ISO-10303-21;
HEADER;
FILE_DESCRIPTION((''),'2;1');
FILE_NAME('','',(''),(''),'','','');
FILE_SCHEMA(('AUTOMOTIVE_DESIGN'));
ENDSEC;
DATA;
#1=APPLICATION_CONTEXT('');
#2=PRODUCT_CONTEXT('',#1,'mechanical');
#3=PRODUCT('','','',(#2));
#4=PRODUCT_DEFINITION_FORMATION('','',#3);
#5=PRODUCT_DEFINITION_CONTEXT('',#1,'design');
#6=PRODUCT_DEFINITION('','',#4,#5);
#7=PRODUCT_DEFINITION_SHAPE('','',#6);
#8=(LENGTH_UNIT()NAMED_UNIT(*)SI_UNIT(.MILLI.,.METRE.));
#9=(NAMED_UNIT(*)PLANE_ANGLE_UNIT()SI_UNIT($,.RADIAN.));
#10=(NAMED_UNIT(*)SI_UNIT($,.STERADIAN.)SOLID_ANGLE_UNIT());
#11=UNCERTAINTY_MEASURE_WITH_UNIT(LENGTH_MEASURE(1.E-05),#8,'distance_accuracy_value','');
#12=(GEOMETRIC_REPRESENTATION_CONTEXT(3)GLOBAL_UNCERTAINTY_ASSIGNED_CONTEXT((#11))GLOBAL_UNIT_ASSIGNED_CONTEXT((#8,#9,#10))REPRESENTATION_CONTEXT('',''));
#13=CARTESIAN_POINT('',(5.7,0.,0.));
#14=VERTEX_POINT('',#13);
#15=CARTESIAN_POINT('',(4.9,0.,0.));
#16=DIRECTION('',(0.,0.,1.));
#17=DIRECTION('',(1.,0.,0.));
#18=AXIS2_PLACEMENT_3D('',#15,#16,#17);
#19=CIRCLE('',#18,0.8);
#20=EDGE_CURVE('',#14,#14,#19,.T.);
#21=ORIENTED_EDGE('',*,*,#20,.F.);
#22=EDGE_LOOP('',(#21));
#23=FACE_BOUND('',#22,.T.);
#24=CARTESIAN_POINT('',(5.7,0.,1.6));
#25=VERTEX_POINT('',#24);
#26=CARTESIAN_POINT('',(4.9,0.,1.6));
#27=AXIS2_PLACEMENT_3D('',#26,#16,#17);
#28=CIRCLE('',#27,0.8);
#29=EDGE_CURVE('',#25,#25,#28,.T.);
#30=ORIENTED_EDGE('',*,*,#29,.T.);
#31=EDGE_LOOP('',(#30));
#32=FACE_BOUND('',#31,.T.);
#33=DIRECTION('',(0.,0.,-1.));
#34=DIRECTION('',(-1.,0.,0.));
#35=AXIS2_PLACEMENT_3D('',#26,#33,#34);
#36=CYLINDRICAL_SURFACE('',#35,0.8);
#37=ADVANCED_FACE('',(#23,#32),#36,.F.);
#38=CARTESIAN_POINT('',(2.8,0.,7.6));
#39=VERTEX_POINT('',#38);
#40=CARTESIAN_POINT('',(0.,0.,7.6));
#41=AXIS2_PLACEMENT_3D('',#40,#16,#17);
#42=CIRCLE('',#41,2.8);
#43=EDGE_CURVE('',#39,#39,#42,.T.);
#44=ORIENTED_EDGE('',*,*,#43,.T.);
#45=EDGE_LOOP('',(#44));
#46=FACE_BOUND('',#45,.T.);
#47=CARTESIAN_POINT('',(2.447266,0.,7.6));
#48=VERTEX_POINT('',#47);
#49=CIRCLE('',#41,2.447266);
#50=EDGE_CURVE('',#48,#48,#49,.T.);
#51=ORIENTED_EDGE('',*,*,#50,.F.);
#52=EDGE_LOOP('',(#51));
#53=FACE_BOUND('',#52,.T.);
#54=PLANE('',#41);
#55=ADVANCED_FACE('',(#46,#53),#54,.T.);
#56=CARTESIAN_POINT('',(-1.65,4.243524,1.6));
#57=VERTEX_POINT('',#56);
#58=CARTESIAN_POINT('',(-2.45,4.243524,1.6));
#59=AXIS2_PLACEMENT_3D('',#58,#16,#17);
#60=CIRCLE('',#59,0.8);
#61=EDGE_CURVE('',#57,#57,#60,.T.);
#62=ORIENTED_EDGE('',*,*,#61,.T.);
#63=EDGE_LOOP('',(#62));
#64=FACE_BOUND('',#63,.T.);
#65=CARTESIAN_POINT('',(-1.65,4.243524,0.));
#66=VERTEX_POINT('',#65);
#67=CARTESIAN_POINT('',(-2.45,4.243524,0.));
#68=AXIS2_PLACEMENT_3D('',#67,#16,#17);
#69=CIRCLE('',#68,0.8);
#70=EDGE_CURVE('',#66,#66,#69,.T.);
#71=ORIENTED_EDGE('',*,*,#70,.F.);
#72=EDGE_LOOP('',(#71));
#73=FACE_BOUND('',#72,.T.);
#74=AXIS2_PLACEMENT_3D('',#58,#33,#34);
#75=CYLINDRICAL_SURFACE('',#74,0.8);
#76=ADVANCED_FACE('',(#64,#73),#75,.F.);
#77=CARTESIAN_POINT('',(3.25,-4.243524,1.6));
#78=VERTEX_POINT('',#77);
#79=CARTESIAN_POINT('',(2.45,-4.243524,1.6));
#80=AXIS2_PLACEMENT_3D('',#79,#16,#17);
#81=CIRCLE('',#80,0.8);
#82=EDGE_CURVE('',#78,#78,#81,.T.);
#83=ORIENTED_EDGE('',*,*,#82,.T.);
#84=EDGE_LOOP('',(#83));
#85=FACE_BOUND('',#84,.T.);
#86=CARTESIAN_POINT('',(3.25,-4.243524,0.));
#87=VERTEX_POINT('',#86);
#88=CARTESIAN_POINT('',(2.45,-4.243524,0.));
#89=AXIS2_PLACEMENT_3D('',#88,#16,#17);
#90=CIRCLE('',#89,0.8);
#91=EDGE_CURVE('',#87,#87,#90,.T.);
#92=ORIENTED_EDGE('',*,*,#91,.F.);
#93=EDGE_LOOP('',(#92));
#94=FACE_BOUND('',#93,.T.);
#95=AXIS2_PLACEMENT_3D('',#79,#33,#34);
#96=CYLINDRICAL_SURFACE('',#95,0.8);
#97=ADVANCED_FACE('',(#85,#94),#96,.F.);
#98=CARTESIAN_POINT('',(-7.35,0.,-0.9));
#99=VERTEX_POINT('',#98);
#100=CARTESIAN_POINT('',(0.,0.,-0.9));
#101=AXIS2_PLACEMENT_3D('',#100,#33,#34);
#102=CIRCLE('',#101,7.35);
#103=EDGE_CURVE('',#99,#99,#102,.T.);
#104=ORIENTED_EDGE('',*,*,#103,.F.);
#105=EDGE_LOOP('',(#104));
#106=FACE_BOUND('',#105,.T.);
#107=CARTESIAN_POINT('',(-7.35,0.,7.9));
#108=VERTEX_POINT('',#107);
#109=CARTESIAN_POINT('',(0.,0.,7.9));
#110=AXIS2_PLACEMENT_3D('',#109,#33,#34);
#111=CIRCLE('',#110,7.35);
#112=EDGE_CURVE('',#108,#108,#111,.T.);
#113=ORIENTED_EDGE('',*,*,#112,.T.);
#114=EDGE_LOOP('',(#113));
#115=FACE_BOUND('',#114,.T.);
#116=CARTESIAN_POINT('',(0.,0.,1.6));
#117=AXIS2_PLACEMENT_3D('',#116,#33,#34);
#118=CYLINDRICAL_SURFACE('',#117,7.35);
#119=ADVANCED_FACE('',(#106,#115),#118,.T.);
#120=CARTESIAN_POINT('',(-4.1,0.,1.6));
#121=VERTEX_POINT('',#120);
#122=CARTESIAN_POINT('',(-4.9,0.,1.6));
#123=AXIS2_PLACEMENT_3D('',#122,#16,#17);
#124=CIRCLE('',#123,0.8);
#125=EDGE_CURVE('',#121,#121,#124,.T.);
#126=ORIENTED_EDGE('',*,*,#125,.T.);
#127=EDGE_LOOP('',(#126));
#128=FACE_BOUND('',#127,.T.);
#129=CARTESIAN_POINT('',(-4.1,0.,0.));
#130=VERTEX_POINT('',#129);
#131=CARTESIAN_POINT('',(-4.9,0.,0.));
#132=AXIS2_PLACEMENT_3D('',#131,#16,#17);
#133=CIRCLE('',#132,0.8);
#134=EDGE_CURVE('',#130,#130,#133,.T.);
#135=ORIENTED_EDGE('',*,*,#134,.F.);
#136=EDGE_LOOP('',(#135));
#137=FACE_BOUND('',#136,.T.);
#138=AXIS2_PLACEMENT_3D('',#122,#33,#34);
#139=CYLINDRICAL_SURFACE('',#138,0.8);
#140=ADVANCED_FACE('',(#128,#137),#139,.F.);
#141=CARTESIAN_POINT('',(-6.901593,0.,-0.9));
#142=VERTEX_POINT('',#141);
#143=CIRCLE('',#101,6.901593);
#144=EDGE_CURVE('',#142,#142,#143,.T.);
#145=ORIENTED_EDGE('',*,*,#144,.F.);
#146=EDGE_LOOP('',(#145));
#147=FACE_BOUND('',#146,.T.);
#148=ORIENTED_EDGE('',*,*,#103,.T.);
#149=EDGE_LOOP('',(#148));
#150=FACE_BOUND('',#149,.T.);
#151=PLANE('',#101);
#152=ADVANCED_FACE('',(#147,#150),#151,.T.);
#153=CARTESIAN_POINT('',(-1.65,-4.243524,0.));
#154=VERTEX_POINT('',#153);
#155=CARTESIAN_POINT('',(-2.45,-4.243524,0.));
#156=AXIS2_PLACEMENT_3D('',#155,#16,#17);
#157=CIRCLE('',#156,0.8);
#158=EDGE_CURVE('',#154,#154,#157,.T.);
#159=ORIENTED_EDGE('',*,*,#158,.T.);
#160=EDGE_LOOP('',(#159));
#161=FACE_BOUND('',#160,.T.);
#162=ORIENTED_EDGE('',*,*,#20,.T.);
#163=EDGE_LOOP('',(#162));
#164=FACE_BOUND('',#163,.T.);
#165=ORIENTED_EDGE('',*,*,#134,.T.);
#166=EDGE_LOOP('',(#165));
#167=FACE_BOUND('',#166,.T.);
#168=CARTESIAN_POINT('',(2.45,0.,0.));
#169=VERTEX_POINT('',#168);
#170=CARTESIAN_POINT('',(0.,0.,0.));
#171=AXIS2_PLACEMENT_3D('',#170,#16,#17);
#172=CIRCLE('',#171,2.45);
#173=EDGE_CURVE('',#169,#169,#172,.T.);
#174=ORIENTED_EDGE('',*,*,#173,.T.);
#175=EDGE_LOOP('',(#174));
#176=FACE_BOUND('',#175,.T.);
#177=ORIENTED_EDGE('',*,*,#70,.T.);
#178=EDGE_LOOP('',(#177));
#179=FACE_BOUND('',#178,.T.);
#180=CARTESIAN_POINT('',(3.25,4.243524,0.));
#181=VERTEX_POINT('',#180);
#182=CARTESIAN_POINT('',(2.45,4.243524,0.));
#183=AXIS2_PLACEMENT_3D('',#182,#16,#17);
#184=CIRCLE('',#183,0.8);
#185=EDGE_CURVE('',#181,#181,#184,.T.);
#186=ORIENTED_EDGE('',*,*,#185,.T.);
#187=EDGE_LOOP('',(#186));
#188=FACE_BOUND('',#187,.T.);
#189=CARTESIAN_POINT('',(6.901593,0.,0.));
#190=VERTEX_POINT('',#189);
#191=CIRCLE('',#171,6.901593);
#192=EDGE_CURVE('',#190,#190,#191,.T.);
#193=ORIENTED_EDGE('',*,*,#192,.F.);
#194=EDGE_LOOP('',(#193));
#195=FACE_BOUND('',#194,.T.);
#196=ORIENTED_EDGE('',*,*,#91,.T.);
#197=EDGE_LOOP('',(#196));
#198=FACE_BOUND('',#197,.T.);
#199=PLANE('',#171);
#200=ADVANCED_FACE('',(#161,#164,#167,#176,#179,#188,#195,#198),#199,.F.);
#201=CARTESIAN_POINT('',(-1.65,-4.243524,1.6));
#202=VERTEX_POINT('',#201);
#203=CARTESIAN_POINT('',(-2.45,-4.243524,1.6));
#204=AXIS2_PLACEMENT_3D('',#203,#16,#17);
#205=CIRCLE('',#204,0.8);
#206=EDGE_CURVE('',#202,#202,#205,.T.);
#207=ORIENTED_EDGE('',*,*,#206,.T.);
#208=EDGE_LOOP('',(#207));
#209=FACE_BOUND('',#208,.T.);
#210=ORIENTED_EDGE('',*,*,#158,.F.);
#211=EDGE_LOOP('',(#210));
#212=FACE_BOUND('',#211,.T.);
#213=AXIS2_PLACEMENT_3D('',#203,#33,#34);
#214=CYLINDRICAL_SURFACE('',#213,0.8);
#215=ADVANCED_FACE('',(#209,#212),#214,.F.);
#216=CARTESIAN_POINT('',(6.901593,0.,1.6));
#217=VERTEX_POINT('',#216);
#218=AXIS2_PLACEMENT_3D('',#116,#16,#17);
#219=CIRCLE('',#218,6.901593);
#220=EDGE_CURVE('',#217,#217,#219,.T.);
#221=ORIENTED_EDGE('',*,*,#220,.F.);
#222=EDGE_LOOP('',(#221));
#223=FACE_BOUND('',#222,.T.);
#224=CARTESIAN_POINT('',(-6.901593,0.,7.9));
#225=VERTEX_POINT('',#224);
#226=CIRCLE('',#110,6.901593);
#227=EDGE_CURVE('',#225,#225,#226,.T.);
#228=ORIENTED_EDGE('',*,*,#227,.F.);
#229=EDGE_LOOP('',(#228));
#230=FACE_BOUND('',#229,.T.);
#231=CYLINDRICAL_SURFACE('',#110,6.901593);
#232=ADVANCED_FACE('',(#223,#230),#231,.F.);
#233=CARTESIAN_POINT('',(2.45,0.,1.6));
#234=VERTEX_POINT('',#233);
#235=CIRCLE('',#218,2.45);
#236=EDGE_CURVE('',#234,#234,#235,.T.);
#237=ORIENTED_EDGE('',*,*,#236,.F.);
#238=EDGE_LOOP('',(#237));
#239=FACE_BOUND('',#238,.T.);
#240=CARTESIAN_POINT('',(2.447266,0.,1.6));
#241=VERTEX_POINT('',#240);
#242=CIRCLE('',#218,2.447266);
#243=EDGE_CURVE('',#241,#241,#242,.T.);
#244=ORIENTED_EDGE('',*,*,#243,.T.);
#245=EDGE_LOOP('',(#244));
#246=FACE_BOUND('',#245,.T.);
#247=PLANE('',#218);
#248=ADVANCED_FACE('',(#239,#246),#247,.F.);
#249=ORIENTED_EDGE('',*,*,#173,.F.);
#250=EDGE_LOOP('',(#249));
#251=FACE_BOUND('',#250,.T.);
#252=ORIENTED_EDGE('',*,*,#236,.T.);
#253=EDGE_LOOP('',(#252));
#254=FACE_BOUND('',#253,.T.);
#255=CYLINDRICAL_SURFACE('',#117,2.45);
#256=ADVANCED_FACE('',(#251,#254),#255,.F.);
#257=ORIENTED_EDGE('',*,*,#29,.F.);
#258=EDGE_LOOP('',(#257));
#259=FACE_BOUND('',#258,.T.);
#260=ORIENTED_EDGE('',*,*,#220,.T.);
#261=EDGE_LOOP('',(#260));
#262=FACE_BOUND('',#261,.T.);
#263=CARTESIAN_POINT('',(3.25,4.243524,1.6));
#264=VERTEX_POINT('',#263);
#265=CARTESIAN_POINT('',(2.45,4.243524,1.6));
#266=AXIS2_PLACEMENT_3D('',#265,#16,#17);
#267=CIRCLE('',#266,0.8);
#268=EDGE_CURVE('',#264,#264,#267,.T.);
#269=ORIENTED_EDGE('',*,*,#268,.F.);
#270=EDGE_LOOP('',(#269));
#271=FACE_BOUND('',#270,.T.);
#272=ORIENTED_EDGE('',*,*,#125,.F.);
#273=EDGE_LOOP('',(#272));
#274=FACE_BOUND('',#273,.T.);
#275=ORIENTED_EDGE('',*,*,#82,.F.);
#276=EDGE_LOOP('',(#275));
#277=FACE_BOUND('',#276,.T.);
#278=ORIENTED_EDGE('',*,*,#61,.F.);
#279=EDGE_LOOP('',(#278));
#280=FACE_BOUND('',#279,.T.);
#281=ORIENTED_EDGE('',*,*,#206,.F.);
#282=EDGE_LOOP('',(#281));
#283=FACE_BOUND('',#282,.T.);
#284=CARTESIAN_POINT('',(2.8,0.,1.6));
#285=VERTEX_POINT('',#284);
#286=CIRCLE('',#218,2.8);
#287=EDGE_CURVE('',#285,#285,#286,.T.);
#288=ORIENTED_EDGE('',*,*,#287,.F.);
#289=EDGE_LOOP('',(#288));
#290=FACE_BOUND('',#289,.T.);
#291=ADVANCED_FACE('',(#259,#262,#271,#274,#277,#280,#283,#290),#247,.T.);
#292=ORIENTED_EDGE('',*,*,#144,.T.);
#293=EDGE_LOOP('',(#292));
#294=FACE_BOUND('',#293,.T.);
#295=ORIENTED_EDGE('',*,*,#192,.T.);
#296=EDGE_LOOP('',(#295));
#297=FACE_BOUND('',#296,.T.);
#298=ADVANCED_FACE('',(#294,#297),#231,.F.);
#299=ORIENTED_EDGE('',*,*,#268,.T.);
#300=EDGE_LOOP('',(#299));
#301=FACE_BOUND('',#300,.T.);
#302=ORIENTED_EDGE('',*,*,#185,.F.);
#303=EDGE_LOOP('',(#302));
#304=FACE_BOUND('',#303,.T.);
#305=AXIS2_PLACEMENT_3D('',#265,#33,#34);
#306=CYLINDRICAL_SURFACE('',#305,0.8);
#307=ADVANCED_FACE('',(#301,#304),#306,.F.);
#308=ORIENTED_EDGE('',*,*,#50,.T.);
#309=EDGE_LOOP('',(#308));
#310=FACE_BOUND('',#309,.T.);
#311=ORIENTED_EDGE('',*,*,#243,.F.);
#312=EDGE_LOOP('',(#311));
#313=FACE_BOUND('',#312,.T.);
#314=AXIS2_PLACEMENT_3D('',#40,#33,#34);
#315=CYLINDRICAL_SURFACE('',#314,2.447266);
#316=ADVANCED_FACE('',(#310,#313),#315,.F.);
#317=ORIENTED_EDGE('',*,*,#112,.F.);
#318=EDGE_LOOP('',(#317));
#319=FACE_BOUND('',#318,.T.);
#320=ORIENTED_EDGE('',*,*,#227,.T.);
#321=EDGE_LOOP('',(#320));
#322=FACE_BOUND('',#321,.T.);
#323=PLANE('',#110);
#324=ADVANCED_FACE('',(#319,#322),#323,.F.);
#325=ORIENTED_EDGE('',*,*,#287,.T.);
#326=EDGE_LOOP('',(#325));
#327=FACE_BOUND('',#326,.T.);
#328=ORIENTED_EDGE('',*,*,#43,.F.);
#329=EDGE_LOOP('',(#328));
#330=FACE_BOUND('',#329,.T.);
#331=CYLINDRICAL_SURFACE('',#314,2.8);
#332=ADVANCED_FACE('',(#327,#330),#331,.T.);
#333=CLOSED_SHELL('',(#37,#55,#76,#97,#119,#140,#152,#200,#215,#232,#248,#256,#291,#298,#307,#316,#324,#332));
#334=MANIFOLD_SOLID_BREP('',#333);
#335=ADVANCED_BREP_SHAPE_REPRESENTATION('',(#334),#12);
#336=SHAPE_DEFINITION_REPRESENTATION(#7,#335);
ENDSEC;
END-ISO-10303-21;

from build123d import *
from build123d.topology import SkipClean

# Parameters (mm, degrees)
SKETCH1_R                = 7.35
SKETCH1_R_2              = 2.45
SKETCH1_R_3              = 0.8
BOSS_EXTRUDE1_DEPTH      = 1.6
SKETCH2_R                = 2.8
SKETCH2_R_2              = 2.447265978
BOSS_EXTRUDE3_DEPTH      = 6
BOSS_EXTRUDE4_DEPTH      = 0.9
BOSS_EXTRUDE4_DEPTH_BACK = 7.9
SKETCH3_R                = 7.35
SKETCH3_R_2              = 6.901593367


with BuildPart() as part:
    # Sketch1 → Boss-Extrude1 (new body)
    with BuildSketch(Plane.XY):
        Circle(SKETCH1_R)
        Circle(SKETCH1_R_2, mode=Mode.SUBTRACT)
        with Locations((-4.9, 0)):
            Circle(SKETCH1_R_3, mode=Mode.SUBTRACT)
        with Locations((-2.45, 4.243524479)):
            Circle(SKETCH1_R_3, mode=Mode.SUBTRACT)
        with Locations((2.45, 4.243524479)):
            Circle(SKETCH1_R_3, mode=Mode.SUBTRACT)
        with Locations((4.9, 0)):
            Circle(SKETCH1_R_3, mode=Mode.SUBTRACT)
        with Locations((2.45, -4.243524479)):
            Circle(SKETCH1_R_3, mode=Mode.SUBTRACT)
        with Locations((-2.45, -4.243524479)):
            Circle(SKETCH1_R_3, mode=Mode.SUBTRACT)
    extrude(amount=BOSS_EXTRUDE1_DEPTH)

    # Sketch2 → Boss-Extrude3 (add)
    with BuildSketch(Plane.XY.offset(1.6)):
        Circle(SKETCH2_R)
        Circle(SKETCH2_R_2, mode=Mode.SUBTRACT)
    extrude(amount=BOSS_EXTRUDE3_DEPTH)

    # Sketch3 → Boss-Extrude4 (add, two sides: drawn at the far end of the back side and taken through both)
    with SkipClean():  # the faces are left unmerged after this step: merging them gives an invalid solid
        with BuildSketch(Plane(origin=(0, 0, 0), x_dir=(-1, 0, 0), z_dir=(0, 0, -1)).offset(-BOSS_EXTRUDE4_DEPTH_BACK)):
            Circle(SKETCH3_R)
            Circle(SKETCH3_R_2, mode=Mode.SUBTRACT)
        extrude(amount=BOSS_EXTRUDE4_DEPTH + BOSS_EXTRUDE4_DEPTH_BACK)


solid = part.part
